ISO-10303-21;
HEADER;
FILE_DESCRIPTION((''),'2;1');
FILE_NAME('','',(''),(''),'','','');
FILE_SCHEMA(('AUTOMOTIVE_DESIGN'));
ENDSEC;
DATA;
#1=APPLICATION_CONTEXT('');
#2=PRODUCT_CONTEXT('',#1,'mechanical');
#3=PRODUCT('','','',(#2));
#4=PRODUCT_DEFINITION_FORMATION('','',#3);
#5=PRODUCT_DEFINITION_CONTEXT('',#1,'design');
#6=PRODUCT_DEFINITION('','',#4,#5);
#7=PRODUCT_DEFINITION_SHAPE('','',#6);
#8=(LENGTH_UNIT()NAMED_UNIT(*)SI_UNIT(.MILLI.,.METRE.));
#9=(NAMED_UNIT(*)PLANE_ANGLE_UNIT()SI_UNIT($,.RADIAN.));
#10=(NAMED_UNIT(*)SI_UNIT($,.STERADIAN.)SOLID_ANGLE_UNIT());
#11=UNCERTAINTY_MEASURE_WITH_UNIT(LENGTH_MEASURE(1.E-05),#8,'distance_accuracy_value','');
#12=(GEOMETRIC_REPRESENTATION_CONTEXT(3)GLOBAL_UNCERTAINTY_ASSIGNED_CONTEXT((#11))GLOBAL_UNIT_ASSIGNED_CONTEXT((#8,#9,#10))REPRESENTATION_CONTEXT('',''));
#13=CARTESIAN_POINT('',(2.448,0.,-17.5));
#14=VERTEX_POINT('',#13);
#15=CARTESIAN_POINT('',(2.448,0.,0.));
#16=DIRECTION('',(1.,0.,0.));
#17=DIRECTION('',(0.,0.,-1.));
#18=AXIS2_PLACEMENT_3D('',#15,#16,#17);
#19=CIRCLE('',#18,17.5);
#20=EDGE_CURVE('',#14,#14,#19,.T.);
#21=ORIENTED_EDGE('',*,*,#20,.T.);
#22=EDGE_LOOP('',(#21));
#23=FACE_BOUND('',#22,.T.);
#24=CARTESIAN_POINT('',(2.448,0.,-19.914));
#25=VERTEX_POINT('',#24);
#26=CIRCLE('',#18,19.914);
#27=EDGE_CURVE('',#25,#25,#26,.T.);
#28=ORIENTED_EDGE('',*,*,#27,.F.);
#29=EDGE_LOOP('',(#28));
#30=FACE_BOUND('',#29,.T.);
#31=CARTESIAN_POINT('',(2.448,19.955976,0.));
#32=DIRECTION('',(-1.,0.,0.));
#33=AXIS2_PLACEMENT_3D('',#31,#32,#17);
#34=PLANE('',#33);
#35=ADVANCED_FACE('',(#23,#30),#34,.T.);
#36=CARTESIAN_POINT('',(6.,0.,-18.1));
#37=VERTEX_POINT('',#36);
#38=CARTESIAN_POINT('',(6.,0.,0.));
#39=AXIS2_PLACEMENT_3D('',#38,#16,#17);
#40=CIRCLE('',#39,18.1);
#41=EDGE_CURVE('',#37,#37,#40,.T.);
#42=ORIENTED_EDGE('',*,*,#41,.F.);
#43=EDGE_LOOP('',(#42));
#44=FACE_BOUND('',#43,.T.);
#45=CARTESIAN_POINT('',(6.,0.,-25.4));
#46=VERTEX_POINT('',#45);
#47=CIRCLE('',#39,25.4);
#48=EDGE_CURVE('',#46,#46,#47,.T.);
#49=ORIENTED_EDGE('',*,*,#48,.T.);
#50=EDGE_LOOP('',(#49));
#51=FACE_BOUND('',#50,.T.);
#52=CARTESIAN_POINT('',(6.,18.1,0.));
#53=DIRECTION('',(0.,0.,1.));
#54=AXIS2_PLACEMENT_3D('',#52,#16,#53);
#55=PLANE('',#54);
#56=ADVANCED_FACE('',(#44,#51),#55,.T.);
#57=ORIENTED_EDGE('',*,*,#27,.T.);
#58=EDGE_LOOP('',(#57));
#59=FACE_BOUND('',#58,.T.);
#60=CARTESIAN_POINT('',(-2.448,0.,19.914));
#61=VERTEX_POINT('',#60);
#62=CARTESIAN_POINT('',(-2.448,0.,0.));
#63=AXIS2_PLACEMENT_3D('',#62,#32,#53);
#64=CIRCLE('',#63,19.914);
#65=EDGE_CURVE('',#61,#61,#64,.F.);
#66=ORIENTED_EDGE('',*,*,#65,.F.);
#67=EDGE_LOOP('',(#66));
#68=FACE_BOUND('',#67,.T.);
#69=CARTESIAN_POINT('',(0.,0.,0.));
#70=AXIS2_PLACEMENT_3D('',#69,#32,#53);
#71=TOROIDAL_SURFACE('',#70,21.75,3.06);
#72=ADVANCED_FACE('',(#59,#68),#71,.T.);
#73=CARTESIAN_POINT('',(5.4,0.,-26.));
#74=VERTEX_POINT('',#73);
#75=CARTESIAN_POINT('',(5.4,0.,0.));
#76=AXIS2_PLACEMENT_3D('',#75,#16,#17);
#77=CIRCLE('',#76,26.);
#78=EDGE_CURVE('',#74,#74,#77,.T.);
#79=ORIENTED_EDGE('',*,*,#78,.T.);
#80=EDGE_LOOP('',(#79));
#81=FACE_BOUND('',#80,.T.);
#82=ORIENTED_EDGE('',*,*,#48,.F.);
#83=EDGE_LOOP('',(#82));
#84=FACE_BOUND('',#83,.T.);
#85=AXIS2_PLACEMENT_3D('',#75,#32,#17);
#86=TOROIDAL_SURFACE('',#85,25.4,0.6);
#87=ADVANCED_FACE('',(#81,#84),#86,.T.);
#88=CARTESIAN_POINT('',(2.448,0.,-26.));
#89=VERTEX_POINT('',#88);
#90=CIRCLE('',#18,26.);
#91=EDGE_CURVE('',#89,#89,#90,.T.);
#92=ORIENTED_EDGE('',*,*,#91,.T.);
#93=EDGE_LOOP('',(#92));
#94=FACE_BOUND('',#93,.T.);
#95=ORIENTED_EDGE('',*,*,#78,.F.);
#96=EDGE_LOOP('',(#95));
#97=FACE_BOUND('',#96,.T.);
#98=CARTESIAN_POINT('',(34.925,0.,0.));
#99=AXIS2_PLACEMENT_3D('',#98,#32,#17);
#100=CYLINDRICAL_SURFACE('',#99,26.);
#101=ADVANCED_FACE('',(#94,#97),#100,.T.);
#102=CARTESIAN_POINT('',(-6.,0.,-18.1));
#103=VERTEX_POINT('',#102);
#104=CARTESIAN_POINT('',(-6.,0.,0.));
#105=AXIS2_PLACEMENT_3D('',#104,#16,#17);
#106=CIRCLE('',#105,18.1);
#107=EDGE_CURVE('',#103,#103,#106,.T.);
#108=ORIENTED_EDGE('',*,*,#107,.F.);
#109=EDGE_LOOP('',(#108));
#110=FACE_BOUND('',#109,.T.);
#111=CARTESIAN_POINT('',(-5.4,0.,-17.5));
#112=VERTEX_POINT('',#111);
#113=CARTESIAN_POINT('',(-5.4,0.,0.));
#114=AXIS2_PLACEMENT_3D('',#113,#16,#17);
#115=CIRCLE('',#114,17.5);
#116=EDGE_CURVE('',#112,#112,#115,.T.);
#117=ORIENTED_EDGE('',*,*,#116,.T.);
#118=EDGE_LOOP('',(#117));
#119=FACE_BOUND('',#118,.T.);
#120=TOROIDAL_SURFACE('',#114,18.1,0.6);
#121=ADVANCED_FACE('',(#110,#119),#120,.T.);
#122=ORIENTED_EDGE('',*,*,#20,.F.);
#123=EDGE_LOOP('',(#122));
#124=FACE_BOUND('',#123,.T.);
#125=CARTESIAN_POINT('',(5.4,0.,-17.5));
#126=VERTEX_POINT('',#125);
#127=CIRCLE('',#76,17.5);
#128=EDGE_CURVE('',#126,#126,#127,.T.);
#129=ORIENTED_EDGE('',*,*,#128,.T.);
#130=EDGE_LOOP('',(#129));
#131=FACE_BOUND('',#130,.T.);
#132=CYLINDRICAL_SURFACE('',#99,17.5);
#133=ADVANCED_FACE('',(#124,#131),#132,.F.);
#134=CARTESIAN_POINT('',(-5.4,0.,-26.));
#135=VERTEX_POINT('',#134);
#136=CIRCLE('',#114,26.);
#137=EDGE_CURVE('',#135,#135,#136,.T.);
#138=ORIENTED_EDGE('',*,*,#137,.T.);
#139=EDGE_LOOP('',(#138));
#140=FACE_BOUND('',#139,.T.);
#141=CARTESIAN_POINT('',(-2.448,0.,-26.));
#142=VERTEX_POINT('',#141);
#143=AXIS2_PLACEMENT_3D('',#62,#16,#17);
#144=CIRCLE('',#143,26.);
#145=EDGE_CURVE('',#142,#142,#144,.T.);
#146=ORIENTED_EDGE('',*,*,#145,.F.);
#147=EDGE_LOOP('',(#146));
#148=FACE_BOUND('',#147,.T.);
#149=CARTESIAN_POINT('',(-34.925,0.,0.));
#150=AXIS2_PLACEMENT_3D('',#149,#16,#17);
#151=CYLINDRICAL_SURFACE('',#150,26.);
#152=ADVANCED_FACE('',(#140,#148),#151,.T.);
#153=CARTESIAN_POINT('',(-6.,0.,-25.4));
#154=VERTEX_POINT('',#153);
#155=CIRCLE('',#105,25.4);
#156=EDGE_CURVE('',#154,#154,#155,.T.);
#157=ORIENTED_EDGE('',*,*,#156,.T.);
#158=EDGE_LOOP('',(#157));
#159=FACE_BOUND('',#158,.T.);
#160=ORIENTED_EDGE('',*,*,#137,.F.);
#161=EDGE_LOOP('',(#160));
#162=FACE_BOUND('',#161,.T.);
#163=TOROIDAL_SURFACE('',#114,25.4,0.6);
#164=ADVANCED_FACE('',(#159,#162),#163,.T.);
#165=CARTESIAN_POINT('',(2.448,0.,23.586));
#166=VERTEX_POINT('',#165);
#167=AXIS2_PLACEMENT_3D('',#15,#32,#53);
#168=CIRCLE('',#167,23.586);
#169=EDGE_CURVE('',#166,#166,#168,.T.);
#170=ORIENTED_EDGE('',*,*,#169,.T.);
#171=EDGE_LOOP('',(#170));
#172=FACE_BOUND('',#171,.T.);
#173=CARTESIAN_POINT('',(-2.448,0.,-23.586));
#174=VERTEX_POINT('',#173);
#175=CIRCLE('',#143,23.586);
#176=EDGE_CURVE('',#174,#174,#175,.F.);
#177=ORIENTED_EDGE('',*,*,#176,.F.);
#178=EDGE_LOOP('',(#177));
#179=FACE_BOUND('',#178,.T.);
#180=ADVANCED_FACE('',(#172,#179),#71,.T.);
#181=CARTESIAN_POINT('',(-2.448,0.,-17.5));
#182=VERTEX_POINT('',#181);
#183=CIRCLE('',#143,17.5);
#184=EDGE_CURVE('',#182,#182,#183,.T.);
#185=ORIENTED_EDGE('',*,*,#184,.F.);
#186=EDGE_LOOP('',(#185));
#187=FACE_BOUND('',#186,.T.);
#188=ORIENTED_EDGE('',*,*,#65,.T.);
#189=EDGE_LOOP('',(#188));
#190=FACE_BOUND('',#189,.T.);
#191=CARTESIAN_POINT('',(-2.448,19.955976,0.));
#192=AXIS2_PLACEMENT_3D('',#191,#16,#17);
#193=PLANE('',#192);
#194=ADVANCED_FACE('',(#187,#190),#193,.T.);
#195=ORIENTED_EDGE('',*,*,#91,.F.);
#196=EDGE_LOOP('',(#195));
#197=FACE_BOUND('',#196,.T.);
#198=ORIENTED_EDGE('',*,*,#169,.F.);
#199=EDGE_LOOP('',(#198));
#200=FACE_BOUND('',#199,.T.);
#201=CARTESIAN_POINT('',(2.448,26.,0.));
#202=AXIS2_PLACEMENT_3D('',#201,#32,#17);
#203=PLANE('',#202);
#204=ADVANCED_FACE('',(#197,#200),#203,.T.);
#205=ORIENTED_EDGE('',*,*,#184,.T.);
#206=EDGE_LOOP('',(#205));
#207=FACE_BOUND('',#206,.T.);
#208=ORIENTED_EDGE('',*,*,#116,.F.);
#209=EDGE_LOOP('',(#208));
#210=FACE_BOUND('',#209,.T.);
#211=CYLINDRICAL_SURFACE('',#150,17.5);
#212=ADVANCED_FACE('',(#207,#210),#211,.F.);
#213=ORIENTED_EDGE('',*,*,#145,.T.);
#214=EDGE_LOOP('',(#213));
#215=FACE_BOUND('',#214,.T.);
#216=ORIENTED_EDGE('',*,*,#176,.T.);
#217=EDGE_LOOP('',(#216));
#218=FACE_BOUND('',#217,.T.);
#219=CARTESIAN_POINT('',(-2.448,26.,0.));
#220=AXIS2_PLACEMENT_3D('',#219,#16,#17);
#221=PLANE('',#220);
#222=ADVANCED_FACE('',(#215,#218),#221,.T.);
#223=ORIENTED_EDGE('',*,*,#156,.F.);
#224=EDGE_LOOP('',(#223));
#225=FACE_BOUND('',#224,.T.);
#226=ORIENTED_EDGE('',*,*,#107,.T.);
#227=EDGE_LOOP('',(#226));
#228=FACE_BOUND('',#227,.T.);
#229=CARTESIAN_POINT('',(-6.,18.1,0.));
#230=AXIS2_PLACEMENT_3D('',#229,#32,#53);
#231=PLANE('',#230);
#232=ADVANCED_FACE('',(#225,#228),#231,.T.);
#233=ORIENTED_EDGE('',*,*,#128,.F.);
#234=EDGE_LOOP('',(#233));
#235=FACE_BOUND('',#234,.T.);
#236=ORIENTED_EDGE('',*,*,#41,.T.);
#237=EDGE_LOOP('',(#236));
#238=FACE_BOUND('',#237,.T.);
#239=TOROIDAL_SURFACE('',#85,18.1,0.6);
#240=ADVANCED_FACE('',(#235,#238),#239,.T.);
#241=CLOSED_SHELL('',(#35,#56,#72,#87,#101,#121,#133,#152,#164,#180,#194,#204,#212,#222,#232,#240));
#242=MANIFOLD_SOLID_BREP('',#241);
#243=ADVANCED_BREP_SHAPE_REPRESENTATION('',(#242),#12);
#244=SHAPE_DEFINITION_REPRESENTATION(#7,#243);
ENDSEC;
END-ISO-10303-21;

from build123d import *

# Parameters (mm, degrees)
BALSIMSKE_R = 3.06


with BuildPart() as part:
    # InnRacSke → Race (revolve)
    with BuildSketch(Plane.XY):
        with BuildLine():
            Line((-2.448, 19.95597631), (-2.448, 17.5))
            Line((-2.448, 17.5), (-5.4, 17.5))
            ThreePointArc((-5.4, 17.5), (-5.824264069, 17.675735931), (-6, 18.1))
            Line((-6, 18.1), (-6, 25.4))
            ThreePointArc((-6, 25.4), (-5.824264069, 25.824264069), (-5.4, 26))
            Line((-5.4, 26), (-2.448, 26))
            Line((-2.448, 26), (-2.448, 23.54402369))
            ThreePointArc((-2.448, 23.54402369), (-3.035, 21.75), (-2.448, 19.95597631))
        make_face()
    race = revolve(axis=Axis((-34.925, 0, 0), (1, 0, 0)))

    # BalSimSke → BallsSimplified (revolve)
    with BuildSketch(Plane.XY):
        with Locations((0, 21.75)):
            Circle(BALSIMSKE_R)
    revolve(axis=Axis((-25.4, 0, 0), (1, 0, 0)))

    # Mirror1: Race across plane
    add(race.mirror(Plane(origin=(0, 0, 0), x_dir=(0, 0, 1), z_dir=(1, 0, 0))))


solid = part.part
